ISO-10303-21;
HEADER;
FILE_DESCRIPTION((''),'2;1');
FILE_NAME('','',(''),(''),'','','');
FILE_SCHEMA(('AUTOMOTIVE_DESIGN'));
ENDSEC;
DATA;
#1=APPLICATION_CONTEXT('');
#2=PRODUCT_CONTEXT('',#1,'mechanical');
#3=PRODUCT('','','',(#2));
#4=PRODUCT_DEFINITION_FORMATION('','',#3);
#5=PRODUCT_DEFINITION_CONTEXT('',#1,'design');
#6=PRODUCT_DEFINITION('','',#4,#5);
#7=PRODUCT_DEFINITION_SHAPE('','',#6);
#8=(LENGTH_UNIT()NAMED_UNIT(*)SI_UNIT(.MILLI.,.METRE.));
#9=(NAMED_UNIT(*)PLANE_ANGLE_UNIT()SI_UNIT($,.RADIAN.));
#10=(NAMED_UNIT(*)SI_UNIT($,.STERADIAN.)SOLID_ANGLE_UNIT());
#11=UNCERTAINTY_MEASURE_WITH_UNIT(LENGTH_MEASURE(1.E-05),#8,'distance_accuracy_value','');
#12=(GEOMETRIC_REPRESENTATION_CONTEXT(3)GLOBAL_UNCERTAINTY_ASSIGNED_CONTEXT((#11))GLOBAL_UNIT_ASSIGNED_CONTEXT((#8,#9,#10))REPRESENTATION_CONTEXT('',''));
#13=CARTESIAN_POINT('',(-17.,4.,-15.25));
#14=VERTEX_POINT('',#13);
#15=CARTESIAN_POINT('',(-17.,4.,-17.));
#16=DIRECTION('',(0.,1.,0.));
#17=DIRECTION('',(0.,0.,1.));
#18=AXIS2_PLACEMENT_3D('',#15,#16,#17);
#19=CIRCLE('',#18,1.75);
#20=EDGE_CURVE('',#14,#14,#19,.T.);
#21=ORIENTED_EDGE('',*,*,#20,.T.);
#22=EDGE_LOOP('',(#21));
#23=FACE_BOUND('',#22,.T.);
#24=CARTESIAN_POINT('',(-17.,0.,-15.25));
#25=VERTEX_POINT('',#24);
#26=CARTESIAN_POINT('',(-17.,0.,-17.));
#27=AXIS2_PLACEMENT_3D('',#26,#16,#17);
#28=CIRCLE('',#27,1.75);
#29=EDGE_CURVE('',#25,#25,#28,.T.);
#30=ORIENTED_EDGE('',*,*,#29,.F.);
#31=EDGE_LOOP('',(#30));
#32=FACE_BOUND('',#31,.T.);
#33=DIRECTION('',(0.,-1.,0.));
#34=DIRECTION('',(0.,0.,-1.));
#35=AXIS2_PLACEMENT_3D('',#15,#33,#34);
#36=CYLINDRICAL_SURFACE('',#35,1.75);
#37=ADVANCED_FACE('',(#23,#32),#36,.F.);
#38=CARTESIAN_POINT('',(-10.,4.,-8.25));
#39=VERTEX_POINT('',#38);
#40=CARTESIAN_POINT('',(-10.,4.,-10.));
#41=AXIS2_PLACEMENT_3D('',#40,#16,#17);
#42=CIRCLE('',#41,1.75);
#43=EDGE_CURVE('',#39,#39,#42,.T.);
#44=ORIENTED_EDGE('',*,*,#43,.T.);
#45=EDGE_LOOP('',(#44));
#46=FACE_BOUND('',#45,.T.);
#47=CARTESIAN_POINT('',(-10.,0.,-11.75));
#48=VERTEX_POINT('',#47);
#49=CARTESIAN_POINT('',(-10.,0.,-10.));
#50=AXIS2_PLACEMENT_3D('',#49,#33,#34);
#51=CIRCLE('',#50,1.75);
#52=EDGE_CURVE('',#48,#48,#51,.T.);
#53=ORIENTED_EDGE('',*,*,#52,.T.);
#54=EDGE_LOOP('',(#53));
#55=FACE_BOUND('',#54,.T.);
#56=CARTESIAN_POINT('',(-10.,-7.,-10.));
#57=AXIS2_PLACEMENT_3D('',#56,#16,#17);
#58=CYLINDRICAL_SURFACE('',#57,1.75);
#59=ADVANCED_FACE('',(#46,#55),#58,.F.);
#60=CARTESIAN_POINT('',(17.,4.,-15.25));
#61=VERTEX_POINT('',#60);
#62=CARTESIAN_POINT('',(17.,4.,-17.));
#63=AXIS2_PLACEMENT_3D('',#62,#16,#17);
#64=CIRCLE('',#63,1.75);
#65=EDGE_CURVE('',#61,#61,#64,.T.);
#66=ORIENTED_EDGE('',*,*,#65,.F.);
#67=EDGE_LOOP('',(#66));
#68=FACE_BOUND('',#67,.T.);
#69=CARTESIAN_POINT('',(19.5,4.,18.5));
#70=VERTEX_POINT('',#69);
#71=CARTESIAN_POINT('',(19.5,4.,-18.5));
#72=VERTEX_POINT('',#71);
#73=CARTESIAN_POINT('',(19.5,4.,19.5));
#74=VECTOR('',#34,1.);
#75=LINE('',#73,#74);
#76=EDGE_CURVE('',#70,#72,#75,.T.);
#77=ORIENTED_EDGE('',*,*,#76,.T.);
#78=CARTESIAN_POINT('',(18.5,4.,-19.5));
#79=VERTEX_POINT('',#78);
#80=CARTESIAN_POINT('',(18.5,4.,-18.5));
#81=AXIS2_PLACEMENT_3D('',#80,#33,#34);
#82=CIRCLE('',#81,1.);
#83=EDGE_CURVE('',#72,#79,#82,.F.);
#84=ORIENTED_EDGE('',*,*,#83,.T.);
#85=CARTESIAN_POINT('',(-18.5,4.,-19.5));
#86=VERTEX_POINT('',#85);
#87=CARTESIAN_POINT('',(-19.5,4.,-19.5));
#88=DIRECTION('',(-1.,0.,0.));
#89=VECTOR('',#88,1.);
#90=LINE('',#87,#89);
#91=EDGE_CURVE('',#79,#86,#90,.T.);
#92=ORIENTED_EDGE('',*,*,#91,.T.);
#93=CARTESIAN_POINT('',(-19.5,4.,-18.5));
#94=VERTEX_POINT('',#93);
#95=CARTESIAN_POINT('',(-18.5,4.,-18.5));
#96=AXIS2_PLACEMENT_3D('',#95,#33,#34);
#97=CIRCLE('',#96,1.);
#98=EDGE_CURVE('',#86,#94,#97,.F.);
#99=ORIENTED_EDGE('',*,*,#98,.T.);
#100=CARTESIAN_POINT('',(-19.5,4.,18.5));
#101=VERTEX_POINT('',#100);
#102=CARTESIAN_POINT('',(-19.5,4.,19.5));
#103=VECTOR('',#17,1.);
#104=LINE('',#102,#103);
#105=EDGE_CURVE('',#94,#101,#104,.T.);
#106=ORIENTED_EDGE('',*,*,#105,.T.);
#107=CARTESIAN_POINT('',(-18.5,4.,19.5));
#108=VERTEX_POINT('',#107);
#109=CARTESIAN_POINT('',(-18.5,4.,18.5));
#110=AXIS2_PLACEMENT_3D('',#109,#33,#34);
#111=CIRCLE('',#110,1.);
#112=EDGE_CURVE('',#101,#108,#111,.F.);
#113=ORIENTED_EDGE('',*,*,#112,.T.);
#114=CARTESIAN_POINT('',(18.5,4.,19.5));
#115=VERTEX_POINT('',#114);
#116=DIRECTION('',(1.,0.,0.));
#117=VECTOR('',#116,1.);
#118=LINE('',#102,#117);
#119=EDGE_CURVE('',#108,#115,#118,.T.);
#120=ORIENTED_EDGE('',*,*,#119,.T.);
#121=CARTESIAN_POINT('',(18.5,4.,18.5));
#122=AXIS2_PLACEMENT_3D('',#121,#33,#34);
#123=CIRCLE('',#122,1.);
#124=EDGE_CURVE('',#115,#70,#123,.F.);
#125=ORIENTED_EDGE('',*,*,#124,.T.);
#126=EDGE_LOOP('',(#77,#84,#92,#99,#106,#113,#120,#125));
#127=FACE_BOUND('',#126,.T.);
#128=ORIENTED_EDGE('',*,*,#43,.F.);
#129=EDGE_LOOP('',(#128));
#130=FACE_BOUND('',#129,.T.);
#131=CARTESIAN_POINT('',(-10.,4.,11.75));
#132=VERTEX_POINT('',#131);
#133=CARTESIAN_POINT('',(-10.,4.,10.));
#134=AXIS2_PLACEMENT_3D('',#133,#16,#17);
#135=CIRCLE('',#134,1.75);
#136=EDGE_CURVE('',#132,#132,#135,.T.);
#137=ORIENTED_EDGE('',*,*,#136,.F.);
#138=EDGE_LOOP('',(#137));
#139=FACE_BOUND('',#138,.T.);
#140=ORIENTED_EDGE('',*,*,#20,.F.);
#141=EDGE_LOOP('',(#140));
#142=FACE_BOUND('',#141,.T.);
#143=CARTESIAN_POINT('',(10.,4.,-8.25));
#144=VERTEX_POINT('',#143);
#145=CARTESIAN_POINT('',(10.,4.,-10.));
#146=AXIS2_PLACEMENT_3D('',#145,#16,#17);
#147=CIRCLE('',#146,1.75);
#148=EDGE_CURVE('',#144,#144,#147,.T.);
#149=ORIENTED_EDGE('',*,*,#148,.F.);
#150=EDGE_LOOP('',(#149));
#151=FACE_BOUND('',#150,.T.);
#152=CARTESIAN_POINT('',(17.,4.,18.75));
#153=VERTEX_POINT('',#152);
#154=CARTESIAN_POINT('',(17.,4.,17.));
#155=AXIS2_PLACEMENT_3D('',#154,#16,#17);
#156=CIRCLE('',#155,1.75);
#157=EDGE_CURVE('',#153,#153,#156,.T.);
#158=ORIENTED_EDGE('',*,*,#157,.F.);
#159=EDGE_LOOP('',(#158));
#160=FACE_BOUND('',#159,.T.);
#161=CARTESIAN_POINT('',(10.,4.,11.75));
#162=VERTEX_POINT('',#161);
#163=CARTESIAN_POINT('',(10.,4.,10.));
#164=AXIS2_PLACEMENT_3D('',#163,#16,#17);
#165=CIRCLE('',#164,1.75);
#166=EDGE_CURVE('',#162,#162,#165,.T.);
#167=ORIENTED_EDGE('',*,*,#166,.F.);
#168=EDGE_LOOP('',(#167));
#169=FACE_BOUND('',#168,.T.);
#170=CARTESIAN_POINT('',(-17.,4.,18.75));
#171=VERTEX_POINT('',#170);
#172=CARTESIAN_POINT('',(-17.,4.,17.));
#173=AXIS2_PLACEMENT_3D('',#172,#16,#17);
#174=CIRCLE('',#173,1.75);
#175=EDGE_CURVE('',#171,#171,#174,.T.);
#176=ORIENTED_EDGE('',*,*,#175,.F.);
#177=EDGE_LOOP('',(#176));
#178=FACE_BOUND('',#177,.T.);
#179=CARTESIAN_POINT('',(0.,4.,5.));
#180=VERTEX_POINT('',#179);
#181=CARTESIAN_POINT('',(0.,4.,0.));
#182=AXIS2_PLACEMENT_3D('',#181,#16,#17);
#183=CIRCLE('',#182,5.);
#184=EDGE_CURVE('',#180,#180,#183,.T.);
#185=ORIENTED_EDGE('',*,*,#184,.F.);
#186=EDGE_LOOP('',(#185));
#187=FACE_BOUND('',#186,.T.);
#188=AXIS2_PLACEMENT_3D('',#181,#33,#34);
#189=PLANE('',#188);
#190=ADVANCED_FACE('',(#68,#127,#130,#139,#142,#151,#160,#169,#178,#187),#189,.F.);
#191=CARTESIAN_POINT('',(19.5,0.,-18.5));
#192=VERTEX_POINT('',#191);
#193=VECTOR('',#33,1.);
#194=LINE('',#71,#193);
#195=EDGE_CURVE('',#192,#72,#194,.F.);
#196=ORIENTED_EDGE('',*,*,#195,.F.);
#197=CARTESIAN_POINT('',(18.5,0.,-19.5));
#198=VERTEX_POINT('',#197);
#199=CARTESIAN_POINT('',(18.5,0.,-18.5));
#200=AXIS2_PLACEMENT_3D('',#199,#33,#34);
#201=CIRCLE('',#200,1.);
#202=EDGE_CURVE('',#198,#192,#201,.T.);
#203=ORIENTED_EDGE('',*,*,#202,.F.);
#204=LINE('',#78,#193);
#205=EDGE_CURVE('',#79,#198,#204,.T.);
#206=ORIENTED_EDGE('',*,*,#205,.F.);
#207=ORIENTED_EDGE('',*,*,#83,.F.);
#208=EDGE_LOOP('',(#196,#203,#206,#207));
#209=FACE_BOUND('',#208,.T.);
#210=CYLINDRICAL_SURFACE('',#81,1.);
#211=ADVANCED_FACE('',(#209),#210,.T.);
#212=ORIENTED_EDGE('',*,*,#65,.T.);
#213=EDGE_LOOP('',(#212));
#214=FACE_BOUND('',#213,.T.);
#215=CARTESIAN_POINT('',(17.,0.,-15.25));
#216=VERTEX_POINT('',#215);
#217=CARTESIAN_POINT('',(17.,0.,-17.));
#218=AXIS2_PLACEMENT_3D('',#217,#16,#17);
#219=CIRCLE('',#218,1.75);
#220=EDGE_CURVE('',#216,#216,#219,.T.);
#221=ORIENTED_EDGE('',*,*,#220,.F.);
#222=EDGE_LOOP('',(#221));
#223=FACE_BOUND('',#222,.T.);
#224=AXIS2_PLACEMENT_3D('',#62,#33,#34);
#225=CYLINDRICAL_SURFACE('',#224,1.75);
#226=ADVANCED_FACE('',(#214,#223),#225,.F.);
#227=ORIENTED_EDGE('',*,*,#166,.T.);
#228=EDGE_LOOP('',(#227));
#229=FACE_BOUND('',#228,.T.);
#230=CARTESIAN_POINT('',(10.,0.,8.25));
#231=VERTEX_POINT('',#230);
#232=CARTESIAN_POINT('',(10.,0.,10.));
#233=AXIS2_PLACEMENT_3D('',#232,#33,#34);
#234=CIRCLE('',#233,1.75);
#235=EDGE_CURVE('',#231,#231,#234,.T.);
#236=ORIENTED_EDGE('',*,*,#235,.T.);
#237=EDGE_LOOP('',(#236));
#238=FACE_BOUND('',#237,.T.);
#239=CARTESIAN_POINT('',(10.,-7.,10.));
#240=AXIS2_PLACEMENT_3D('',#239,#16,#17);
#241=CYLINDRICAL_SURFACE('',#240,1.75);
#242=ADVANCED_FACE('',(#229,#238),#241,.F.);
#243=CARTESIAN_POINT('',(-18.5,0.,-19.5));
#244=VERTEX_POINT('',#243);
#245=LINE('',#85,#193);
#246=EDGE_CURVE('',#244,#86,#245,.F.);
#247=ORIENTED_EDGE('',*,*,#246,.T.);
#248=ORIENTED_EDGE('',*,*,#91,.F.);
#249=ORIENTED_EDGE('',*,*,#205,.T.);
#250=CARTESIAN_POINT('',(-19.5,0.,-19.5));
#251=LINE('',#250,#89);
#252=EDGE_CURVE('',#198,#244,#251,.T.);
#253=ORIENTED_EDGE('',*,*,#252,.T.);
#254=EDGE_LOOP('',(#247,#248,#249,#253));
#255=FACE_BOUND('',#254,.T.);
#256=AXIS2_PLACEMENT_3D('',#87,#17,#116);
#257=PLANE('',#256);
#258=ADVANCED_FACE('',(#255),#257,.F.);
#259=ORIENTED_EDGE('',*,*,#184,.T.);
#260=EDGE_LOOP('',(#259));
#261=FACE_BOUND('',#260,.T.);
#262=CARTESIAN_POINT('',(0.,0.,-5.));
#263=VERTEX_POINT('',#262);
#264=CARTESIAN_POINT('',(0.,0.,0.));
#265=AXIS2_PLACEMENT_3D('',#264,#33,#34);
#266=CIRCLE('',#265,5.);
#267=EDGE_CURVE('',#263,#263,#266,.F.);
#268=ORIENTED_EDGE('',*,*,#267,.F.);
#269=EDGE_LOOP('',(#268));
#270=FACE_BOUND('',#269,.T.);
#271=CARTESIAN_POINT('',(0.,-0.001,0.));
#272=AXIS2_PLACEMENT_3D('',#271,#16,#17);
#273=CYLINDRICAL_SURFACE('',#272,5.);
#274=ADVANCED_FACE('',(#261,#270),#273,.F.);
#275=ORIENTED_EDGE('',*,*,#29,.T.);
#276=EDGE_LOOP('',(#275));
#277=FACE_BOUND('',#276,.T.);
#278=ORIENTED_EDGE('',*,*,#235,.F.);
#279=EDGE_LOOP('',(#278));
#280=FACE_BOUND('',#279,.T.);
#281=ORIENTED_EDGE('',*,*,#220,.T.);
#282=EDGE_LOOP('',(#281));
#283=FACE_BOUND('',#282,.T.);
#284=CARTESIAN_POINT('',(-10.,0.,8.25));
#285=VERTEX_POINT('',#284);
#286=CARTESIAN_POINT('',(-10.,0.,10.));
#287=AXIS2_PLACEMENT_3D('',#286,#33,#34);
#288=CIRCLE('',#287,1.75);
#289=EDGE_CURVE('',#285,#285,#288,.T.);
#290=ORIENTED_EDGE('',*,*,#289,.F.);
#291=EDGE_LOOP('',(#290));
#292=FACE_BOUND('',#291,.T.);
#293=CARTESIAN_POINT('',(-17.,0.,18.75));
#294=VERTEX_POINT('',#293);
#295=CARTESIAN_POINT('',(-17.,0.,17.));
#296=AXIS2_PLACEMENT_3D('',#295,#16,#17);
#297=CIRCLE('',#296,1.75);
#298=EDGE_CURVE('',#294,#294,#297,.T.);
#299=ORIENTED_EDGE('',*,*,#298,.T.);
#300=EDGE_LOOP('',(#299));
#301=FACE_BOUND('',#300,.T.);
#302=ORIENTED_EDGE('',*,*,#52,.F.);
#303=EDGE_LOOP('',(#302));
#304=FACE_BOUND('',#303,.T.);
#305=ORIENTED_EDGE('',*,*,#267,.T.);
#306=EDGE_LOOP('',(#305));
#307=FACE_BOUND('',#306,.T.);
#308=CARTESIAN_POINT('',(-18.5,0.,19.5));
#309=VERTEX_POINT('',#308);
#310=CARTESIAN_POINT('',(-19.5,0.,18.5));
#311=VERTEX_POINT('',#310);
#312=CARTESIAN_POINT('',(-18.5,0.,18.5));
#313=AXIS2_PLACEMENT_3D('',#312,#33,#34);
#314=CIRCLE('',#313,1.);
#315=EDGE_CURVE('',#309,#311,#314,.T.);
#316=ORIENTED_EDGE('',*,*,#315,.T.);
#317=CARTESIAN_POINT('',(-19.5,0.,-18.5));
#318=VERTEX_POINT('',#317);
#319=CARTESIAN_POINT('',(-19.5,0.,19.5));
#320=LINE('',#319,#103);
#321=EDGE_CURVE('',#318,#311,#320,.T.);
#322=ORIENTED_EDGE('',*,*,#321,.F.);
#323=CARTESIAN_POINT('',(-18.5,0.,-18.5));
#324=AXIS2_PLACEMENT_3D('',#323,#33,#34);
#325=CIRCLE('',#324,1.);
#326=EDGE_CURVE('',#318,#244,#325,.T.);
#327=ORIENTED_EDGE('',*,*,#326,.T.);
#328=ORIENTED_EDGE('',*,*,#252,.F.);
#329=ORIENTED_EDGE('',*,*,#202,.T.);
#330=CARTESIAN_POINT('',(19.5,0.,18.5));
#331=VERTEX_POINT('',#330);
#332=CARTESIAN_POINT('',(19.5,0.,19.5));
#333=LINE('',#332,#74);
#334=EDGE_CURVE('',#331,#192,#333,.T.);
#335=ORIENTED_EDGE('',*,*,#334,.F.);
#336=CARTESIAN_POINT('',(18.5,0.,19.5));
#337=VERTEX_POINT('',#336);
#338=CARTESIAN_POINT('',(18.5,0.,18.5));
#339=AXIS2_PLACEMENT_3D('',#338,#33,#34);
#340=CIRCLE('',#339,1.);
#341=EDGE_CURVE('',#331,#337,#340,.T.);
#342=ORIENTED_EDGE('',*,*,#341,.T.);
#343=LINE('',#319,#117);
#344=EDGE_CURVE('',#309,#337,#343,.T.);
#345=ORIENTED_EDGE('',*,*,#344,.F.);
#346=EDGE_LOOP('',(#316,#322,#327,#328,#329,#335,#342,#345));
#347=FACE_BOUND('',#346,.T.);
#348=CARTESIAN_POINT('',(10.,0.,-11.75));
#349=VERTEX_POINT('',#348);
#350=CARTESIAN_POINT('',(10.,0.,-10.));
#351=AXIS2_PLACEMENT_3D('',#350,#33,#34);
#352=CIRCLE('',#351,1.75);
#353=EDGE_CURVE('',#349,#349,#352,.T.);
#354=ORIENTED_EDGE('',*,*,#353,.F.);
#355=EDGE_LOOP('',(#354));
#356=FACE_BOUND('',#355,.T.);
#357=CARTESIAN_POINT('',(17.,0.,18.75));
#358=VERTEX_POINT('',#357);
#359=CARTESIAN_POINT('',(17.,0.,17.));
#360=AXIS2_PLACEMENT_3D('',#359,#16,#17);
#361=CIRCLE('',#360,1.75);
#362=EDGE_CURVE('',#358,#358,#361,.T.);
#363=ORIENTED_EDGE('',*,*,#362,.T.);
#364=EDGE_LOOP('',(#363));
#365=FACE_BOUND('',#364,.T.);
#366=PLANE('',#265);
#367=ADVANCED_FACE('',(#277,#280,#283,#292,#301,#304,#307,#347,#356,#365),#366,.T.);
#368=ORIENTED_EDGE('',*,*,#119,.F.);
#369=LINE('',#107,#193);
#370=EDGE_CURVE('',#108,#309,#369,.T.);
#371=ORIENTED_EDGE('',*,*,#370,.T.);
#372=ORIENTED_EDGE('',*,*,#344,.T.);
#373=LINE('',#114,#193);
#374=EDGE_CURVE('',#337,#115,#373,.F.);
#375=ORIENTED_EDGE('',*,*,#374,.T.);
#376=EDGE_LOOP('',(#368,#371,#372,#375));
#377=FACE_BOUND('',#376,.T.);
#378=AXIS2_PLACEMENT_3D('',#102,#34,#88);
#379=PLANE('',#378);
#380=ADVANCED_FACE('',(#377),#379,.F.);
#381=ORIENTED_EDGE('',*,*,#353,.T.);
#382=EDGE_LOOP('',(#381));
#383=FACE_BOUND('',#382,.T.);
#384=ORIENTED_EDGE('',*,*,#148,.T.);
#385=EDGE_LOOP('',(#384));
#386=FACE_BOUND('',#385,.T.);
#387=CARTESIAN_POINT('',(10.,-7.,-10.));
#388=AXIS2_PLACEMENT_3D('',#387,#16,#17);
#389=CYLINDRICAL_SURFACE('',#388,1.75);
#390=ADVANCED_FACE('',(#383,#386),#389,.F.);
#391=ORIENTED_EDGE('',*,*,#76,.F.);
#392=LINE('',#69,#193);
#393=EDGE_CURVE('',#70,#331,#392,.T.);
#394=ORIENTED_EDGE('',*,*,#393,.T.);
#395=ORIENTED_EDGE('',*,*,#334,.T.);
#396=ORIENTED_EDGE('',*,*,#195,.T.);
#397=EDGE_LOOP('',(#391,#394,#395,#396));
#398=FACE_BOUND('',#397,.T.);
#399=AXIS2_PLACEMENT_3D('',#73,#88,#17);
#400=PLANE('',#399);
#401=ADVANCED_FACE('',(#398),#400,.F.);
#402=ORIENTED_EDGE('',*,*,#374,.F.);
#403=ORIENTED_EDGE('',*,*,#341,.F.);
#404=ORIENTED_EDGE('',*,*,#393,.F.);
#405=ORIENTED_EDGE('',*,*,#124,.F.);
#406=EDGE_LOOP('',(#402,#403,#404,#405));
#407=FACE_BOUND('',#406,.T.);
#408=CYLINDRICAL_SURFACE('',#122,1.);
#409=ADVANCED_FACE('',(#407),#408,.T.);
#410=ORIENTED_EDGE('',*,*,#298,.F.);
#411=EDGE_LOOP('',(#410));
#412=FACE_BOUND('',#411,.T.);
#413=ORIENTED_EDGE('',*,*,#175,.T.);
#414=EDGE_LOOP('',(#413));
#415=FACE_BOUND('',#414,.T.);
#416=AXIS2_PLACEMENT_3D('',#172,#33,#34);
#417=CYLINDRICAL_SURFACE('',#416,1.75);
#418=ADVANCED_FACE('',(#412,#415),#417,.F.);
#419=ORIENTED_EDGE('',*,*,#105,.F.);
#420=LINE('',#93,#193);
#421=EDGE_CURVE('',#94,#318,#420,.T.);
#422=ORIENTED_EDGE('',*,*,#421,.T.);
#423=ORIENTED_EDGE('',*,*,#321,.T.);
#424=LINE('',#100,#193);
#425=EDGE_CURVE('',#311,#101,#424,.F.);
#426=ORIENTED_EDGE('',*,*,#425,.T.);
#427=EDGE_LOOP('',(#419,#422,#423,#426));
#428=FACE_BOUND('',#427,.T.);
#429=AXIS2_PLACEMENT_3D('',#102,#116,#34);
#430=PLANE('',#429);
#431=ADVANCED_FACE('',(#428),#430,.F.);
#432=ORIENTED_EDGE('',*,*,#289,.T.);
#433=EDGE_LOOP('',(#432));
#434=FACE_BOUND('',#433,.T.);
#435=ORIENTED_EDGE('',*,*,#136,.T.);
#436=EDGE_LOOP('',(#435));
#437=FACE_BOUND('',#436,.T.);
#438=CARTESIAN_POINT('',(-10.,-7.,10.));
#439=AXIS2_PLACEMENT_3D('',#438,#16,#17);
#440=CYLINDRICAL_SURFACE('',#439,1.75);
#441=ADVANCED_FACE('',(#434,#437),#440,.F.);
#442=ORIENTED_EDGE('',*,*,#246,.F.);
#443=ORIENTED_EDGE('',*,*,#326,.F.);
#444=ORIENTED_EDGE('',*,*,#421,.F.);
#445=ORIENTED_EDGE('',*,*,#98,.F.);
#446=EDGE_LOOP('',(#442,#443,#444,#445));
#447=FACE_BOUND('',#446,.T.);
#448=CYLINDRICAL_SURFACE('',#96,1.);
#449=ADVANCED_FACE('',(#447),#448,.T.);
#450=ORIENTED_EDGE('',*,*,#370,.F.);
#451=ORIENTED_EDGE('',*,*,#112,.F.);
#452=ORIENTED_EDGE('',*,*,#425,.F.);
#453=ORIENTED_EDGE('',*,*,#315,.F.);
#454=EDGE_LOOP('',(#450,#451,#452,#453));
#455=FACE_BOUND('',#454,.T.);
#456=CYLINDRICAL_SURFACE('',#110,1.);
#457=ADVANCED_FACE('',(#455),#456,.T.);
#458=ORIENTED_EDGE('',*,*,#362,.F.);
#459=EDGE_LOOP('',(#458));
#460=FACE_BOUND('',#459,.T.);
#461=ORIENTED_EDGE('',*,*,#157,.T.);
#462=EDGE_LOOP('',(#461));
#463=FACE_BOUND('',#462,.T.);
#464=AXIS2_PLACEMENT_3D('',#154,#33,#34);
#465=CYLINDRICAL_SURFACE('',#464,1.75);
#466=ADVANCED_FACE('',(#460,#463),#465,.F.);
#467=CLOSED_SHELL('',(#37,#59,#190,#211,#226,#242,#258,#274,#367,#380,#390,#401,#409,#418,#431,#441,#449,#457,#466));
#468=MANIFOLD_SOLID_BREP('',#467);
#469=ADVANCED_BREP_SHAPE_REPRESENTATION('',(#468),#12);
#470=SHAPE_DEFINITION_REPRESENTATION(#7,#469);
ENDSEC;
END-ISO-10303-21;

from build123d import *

# Parameters (mm, degrees)
SKETCH1_W           = 39
SKETCH1_H           = 39
SKETCH1_R           = 1.75
BOSS_EXTRUDE1_DEPTH = 4
SKETCH2_R           = 1.75
CUT_EXTRUDE1_DEPTH  = 11
FILLET1_R           = 1
CUT_EXTRUDE2_REACH  = 6
SKETCH3_R           = 5


with BuildPart() as part:
    # Sketch1 → Boss-Extrude1 (new body)
    with BuildSketch(Plane(origin=(0, 0, 0), x_dir=(1, 0, 0), z_dir=(0, 1, 0))):
        Rectangle(SKETCH1_W, SKETCH1_H)
        with Locations((17, 17)):
            Circle(SKETCH1_R, mode=Mode.SUBTRACT)
        with Locations((17, -17)):
            Circle(SKETCH1_R, mode=Mode.SUBTRACT)
        with Locations((-17, -17)):
            Circle(SKETCH1_R, mode=Mode.SUBTRACT)
        with Locations((-17, 17)):
            Circle(SKETCH1_R, mode=Mode.SUBTRACT)
    extrude(amount=BOSS_EXTRUDE1_DEPTH)

    # Sketch2 → Cut-Extrude1 (cut)
    with BuildSketch(Plane(origin=(0, 4, 0), x_dir=(1, 0, 0), z_dir=(0, 1, 0))):
        with Locations((10, 10)):
            Circle(SKETCH2_R)
        with Locations((10, -10)):
            Circle(SKETCH2_R)
        with Locations((-10, -10)):
            Circle(SKETCH2_R)
        with Locations((-10, 10)):
            Circle(SKETCH2_R)
    extrude(amount=-CUT_EXTRUDE1_DEPTH, mode=Mode.SUBTRACT)

    # Fillet1
    fillet1_edges = [part.edges().sort_by_distance(p)[0] for p in [
        (19.5, 2, 19.5),
        (-19.5, 2, 19.5),
        (-19.5, 2, -19.5),
        (19.5, 2, -19.5),
    ]]
    fillet(fillet1_edges, radius=FILLET1_R)

    # Sketch3 → Cut-Extrude2 (cut, up to next)
    with BuildSketch(Plane(origin=(0, 4, 0), x_dir=(1, 0, 0), z_dir=(0, 1, 0)), mode=Mode.PRIVATE) as cut_extrude2_sk1:
        Circle(SKETCH3_R)
    cut_extrude2_tool1 = extrude(cut_extrude2_sk1.sketch, amount=-CUT_EXTRUDE2_REACH, mode=Mode.PRIVATE) & part.part
    add(cut_extrude2_tool1.solids().sort_by_distance((0, 4, 0))[0], mode=Mode.SUBTRACT)


solid = part.part
